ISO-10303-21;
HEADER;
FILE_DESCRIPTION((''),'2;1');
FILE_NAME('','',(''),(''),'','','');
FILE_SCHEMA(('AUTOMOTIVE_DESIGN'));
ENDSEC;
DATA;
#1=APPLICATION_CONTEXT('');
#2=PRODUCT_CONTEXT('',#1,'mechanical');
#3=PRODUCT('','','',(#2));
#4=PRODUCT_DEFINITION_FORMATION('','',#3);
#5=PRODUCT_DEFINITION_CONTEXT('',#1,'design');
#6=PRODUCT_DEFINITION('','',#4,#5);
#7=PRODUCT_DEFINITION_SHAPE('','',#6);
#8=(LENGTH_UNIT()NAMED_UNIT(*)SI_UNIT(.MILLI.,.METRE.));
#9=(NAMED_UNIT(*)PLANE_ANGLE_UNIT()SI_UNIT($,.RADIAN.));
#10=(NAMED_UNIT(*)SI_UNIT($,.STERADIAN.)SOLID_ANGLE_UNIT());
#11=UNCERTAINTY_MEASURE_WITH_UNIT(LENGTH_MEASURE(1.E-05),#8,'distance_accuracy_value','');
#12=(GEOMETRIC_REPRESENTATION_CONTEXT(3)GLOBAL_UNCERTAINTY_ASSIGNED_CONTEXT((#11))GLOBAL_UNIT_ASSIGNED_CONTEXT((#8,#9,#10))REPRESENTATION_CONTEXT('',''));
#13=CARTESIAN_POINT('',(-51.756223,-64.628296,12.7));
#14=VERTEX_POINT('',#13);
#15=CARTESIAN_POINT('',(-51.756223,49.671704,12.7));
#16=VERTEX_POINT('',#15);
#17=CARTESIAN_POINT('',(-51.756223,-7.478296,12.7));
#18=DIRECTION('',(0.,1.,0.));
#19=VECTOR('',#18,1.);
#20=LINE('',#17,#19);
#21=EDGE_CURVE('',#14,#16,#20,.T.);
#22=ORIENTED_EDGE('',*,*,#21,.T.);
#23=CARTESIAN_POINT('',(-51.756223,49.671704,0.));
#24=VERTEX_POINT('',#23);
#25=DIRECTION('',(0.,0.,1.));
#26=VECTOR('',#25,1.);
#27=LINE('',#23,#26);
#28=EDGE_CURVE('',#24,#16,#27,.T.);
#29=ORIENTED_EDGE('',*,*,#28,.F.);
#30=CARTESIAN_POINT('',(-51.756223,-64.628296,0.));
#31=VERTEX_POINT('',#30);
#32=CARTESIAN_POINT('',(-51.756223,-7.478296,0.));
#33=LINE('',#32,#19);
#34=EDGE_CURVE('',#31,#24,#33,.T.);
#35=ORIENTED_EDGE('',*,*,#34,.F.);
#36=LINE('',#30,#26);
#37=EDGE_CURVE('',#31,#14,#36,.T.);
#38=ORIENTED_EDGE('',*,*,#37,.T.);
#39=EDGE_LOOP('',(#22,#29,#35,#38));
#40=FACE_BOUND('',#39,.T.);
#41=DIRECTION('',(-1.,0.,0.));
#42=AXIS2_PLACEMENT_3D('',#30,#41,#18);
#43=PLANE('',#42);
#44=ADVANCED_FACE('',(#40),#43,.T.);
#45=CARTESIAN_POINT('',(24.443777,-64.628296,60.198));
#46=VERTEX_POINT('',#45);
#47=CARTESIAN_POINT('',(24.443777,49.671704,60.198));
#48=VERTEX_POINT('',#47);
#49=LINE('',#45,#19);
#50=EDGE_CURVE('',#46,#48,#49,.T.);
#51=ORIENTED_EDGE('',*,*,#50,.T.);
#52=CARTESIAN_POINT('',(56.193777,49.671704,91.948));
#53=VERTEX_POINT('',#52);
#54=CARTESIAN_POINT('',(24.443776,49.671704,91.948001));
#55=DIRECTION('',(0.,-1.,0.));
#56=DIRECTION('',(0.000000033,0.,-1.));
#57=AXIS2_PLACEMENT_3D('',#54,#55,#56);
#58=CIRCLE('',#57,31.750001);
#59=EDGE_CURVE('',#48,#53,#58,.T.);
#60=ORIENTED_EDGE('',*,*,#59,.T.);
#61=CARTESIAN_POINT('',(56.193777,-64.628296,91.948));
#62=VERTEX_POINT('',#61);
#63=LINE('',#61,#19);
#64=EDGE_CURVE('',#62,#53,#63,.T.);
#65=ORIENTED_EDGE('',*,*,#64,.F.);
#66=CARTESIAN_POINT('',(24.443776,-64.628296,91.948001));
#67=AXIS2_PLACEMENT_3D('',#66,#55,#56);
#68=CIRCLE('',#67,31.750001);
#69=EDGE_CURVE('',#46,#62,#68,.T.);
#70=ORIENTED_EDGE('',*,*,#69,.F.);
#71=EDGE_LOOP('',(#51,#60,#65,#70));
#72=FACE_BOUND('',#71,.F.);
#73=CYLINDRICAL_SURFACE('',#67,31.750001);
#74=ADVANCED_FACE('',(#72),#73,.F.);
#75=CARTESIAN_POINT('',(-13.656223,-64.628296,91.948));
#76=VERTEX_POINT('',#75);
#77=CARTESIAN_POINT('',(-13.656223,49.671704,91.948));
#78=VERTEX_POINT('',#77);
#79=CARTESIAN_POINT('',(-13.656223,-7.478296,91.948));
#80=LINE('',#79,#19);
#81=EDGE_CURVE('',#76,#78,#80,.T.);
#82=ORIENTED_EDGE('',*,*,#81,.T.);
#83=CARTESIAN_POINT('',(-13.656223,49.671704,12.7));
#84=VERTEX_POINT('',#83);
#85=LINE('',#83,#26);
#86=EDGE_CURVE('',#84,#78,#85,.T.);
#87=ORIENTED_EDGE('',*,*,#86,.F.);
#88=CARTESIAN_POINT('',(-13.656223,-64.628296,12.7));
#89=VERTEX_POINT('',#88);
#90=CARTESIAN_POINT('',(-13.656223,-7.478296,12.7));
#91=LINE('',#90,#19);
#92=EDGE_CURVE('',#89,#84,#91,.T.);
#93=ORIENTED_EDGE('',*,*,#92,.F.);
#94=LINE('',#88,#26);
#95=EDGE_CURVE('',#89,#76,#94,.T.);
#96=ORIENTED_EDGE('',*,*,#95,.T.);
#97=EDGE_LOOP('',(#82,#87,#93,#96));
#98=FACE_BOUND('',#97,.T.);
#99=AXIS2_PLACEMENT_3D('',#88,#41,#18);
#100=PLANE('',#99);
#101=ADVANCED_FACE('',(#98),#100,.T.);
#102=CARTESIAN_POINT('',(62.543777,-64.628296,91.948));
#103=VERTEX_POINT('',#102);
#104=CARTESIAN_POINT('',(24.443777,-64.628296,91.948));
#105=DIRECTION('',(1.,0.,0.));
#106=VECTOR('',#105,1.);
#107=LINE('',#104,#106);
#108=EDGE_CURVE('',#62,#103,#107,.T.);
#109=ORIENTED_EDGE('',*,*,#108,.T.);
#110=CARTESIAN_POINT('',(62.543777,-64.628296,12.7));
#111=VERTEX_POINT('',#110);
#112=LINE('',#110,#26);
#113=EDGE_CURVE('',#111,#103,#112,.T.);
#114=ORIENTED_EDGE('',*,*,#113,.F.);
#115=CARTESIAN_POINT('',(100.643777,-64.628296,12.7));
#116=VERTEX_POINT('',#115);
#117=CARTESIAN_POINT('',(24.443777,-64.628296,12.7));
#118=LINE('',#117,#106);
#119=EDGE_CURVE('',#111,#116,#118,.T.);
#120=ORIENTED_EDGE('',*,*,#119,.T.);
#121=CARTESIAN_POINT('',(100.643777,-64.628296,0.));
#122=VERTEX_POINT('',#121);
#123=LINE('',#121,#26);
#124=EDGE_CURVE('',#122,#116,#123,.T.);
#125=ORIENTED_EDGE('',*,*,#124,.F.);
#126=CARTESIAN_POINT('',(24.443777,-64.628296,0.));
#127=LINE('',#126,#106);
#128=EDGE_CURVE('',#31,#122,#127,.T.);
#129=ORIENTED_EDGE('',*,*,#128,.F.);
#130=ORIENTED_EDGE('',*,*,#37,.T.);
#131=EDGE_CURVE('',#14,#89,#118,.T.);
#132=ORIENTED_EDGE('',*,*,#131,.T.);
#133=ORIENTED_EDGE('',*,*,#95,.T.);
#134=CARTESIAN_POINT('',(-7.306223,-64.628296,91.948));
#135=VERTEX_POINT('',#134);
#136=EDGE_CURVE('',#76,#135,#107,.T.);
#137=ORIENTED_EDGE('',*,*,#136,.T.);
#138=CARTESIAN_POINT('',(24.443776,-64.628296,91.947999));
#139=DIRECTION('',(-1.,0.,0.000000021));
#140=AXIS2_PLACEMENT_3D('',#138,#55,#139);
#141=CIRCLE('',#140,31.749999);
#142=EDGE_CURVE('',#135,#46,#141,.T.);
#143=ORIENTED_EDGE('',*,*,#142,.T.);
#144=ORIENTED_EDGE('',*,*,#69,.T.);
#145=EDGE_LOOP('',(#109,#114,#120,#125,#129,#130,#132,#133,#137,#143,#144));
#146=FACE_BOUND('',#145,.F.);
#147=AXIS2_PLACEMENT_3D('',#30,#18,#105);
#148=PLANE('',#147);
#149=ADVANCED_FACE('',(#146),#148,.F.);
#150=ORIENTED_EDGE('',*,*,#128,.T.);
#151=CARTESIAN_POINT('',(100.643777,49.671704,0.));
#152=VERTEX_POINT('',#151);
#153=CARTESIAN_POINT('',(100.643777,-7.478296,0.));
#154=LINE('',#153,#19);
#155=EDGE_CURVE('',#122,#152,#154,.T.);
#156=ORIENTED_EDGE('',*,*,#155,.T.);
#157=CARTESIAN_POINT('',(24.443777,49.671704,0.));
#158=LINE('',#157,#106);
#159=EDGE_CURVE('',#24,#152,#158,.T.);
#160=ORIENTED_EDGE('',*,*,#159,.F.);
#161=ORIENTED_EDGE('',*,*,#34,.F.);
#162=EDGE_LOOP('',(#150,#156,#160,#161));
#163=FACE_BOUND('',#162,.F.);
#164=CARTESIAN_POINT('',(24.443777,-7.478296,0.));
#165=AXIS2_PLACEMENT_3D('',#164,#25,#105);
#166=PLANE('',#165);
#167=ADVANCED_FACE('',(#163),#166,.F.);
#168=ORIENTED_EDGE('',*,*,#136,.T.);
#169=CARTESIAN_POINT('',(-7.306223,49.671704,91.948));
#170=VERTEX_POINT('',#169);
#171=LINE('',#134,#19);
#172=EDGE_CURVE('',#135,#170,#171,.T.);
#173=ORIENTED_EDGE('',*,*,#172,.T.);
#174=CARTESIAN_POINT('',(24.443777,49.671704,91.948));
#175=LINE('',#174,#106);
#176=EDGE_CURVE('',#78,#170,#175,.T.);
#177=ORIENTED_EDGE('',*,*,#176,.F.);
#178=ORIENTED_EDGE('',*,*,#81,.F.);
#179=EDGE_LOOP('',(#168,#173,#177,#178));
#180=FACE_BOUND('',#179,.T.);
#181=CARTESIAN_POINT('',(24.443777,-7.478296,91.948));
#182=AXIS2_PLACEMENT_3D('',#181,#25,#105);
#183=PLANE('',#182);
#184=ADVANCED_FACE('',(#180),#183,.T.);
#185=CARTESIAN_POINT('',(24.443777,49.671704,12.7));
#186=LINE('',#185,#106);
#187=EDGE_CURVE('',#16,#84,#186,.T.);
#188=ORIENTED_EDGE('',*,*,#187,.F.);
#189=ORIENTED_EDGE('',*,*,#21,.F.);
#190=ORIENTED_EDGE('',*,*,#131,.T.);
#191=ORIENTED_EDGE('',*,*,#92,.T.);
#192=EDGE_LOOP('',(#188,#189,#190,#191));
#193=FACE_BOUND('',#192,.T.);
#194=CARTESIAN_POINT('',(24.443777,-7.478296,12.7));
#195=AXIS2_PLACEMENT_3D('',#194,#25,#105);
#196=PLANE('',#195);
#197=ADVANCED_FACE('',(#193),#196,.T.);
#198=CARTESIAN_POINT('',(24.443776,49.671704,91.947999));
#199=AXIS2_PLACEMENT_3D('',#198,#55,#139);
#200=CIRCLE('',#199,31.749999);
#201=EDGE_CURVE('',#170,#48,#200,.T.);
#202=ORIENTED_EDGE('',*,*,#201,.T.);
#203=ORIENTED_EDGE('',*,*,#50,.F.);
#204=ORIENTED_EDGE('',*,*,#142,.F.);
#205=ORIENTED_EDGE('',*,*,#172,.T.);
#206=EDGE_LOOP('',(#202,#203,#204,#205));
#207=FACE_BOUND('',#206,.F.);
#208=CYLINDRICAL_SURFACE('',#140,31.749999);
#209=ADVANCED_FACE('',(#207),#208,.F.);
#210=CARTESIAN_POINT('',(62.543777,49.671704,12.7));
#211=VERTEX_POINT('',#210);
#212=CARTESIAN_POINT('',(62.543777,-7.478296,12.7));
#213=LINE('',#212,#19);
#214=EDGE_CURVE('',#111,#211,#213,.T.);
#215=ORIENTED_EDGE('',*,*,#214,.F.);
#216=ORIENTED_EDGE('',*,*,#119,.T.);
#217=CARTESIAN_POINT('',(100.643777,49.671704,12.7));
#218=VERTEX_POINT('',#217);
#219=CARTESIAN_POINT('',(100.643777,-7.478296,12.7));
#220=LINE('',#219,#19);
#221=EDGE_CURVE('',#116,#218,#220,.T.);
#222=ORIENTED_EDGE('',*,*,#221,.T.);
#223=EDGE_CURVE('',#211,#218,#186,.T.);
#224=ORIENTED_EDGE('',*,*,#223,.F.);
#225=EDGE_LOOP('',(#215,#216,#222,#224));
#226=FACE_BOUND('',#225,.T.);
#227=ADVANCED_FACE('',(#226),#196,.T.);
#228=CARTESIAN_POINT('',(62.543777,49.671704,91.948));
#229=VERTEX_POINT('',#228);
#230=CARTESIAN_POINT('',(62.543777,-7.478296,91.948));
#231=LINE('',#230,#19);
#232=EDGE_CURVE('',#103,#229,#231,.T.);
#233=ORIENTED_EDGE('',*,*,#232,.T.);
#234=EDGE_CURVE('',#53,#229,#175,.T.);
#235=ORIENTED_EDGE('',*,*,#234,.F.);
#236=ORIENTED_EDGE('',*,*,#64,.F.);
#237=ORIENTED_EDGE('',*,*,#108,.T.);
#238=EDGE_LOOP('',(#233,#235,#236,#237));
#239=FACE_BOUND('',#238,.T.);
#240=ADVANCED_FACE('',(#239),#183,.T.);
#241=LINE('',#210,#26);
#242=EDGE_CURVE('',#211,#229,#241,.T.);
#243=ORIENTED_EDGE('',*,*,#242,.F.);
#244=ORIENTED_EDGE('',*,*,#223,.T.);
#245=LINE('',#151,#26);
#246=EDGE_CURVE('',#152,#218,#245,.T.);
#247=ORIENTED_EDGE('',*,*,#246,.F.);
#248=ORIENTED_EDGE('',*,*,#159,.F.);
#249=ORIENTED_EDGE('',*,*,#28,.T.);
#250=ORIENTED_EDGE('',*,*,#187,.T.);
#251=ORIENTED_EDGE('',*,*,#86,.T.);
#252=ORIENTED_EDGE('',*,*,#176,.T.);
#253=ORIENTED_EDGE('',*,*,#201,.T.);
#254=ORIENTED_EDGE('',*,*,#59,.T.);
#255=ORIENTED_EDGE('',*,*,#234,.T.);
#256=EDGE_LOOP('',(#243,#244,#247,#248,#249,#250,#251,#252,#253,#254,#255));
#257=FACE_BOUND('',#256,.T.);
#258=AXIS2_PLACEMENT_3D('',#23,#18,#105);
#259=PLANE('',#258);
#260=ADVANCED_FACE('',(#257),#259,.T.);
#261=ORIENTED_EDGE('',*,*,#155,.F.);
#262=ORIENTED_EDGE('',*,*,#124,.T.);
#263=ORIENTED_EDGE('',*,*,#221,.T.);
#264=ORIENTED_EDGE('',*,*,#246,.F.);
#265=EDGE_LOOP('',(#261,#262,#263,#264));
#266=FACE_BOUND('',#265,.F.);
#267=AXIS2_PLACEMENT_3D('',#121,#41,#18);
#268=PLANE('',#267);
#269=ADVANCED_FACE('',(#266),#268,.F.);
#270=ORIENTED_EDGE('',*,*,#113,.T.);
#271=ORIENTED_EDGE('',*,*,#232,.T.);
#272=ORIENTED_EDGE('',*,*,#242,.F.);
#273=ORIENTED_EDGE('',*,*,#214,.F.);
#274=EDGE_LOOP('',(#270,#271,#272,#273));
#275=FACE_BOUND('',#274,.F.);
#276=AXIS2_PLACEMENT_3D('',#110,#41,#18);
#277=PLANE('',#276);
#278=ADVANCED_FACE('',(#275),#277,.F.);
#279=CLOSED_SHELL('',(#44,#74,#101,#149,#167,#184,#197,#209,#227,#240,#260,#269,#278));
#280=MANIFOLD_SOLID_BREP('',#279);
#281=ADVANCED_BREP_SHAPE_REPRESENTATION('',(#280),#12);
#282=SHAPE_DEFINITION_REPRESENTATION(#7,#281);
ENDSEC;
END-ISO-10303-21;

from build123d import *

# Parameters (mm, degrees)
F0_W     = 152.4
F0_H     = 114.3
F1_DEPTH = 12.7
F2_W     = 76.2
F2_H     = 114.3
F3_DEPTH = 79.248
F5_DEPTH = 114.301


with BuildPart() as f1:
    # F0 (on Top) → F1 (new body)
    with BuildSketch(Plane.XY):
        with Locations((24.443777, -7.478296)):
            Rectangle(F0_W, F0_H)
    extrude(amount=F1_DEPTH)

    # F2 (on face) → F3 (join)
    with BuildSketch(Plane.XY.offset(12.7)):
        with Locations((24.443777, -7.478296)):
            Rectangle(F2_W, F2_H)
    extrude(amount=F3_DEPTH)

    # F4 (on face) → F5 (cut, through all)
    with BuildSketch(Plane.XZ.offset(64.628296)):
        with BuildLine():
            Line((56.193777, 91.948), (24.443777, 91.948))
            Line((24.443777, 91.948), (24.443777, 60.198))
            ThreePointArc((24.443777, 60.198), (46.894417, 69.49736), (56.193777, 91.948))
        make_face()
        with BuildLine():
            Line((24.443777, 91.948), (-7.306223, 91.948))
            ThreePointArc((-7.306223, 91.948), (1.993136, 69.49736), (24.443777, 60.198))
            Line((24.443777, 60.198), (24.443777, 91.948))
        make_face()
    extrude(amount=-F5_DEPTH, mode=Mode.SUBTRACT)


solid = f1.part
